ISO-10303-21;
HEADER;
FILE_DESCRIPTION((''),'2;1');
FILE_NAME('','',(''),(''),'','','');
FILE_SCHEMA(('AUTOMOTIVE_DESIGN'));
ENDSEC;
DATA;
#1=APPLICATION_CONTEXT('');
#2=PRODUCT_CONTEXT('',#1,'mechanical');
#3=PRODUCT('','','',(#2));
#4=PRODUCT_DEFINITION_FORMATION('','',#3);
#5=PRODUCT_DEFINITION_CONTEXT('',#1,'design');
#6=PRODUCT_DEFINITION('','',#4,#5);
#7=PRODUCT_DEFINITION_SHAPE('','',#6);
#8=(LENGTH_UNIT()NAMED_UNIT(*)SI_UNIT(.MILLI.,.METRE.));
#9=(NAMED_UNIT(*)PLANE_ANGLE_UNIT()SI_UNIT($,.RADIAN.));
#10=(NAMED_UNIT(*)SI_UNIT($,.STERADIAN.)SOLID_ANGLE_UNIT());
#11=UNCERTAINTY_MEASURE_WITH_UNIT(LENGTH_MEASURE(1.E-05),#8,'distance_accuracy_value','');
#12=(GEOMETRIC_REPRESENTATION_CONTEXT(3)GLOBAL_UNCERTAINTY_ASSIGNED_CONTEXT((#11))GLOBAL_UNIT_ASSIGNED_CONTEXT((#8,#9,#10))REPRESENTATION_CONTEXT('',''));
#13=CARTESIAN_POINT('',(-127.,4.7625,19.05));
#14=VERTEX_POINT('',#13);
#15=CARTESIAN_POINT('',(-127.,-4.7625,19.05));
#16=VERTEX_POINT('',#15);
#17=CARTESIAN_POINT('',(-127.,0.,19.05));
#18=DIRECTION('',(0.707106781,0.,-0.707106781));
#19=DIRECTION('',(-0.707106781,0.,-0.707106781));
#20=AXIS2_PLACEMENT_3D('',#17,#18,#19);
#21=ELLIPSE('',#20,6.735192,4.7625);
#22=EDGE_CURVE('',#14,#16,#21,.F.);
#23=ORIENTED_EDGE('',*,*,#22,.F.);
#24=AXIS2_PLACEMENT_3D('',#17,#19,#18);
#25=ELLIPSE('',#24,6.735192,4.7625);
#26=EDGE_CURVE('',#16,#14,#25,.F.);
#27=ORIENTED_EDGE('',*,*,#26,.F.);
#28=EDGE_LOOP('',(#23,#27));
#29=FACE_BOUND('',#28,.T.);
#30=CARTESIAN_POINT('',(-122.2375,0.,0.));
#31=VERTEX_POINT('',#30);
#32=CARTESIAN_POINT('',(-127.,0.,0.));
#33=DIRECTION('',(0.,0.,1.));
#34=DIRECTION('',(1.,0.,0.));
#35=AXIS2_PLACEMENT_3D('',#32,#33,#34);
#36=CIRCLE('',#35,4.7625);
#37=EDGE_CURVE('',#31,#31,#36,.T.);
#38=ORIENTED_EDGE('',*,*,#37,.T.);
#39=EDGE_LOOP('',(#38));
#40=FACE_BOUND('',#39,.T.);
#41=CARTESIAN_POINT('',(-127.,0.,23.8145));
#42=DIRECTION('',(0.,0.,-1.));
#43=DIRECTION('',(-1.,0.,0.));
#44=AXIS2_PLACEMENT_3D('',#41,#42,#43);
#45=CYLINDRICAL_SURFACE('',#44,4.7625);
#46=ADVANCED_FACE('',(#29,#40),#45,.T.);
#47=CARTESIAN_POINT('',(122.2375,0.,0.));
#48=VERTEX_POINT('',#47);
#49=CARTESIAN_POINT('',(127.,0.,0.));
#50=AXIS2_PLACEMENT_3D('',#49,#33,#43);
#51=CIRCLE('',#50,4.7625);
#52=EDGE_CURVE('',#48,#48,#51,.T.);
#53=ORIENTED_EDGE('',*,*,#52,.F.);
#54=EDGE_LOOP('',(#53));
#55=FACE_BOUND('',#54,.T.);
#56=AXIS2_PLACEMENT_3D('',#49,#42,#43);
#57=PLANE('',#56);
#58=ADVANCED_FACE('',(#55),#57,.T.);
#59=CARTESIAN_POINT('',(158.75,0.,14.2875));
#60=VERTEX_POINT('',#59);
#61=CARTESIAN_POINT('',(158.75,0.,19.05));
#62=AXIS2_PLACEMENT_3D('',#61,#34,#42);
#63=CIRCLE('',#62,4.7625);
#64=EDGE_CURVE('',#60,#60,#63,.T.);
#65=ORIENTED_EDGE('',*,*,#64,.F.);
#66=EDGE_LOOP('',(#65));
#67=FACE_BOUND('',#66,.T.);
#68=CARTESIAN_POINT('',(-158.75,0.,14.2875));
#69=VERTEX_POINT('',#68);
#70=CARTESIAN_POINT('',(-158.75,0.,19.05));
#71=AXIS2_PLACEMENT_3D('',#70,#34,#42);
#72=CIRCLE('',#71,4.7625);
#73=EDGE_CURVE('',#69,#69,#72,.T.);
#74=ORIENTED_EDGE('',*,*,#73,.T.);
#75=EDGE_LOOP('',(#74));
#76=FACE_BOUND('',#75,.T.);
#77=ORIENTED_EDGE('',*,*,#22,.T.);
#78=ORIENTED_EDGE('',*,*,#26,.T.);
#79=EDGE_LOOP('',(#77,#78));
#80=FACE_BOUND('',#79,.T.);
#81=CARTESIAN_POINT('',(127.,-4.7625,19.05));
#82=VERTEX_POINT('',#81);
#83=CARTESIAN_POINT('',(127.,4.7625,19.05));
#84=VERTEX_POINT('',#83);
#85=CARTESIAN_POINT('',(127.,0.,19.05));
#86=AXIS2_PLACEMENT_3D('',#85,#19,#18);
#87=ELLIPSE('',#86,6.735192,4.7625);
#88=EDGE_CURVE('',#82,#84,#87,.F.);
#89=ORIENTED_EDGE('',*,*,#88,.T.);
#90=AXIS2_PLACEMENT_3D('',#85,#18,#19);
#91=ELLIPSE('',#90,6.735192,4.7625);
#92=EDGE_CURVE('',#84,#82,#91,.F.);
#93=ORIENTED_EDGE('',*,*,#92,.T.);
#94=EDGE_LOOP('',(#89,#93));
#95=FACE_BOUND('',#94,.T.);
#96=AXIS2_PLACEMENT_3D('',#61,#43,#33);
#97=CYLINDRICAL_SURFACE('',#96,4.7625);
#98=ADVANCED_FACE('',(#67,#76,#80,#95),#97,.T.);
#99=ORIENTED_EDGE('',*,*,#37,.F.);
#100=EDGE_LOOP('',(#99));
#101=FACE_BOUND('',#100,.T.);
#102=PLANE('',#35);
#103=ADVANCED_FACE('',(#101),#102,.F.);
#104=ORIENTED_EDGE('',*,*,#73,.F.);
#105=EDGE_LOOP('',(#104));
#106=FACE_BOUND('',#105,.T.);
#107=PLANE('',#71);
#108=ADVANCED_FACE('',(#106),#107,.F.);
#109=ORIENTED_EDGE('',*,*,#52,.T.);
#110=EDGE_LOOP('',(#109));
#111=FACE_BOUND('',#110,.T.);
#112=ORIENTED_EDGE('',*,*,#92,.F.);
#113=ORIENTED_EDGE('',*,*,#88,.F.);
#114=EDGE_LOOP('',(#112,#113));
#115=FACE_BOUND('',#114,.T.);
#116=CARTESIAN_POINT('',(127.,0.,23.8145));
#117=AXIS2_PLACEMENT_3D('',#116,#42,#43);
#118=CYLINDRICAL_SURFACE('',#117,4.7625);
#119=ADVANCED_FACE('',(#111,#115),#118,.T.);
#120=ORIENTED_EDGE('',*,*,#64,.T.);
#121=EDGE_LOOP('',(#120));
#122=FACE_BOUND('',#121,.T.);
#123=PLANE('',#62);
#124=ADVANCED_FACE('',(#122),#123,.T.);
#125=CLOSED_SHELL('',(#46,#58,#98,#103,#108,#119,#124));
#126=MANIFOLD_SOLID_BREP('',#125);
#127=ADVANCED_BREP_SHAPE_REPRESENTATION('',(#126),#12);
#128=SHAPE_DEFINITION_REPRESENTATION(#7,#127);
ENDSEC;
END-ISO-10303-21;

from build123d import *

# Parameters (mm, degrees)
SKETCH2_R           = 4.7625
BOSS_EXTRUDE1_DEPTH = 158.75
BOSS_EXTRUDE2_REACH = 25.812
SKETCH1_R           = 4.7625


with BuildPart() as part:
    # Sketch2 → Boss-Extrude1 (new body, symmetric)
    with BuildSketch(Plane(origin=(0, 0, 0), x_dir=(0, 0, -1), z_dir=(1, 0, 0))):
        with Locations((-19.05, 0)):
            Circle(SKETCH2_R)
    extrude(amount=BOSS_EXTRUDE1_DEPTH, both=True)

    # Sketch1 → Boss-Extrude2 (add, up to next)
    with BuildSketch(Plane.XY, mode=Mode.PRIVATE) as boss_extrude2_sk1:
        with Locations((-127, 0)):
            Circle(SKETCH1_R)
    boss_extrude2_tool1 = extrude(boss_extrude2_sk1.sketch, amount=BOSS_EXTRUDE2_REACH, mode=Mode.PRIVATE) - part.part
    add(boss_extrude2_tool1.solids().sort_by_distance((-127, 0, 0))[0])
    # Sketch1 → Boss-Extrude2 (add, up to next)
    with BuildSketch(Plane.XY, mode=Mode.PRIVATE) as boss_extrude2_sk2:
        with Locations((127, 0)):
            Circle(SKETCH1_R)
    boss_extrude2_tool2 = extrude(boss_extrude2_sk2.sketch, amount=BOSS_EXTRUDE2_REACH, mode=Mode.PRIVATE) - part.part
    add(boss_extrude2_tool2.solids().sort_by_distance((127, 0, 0))[0])


solid = part.part
